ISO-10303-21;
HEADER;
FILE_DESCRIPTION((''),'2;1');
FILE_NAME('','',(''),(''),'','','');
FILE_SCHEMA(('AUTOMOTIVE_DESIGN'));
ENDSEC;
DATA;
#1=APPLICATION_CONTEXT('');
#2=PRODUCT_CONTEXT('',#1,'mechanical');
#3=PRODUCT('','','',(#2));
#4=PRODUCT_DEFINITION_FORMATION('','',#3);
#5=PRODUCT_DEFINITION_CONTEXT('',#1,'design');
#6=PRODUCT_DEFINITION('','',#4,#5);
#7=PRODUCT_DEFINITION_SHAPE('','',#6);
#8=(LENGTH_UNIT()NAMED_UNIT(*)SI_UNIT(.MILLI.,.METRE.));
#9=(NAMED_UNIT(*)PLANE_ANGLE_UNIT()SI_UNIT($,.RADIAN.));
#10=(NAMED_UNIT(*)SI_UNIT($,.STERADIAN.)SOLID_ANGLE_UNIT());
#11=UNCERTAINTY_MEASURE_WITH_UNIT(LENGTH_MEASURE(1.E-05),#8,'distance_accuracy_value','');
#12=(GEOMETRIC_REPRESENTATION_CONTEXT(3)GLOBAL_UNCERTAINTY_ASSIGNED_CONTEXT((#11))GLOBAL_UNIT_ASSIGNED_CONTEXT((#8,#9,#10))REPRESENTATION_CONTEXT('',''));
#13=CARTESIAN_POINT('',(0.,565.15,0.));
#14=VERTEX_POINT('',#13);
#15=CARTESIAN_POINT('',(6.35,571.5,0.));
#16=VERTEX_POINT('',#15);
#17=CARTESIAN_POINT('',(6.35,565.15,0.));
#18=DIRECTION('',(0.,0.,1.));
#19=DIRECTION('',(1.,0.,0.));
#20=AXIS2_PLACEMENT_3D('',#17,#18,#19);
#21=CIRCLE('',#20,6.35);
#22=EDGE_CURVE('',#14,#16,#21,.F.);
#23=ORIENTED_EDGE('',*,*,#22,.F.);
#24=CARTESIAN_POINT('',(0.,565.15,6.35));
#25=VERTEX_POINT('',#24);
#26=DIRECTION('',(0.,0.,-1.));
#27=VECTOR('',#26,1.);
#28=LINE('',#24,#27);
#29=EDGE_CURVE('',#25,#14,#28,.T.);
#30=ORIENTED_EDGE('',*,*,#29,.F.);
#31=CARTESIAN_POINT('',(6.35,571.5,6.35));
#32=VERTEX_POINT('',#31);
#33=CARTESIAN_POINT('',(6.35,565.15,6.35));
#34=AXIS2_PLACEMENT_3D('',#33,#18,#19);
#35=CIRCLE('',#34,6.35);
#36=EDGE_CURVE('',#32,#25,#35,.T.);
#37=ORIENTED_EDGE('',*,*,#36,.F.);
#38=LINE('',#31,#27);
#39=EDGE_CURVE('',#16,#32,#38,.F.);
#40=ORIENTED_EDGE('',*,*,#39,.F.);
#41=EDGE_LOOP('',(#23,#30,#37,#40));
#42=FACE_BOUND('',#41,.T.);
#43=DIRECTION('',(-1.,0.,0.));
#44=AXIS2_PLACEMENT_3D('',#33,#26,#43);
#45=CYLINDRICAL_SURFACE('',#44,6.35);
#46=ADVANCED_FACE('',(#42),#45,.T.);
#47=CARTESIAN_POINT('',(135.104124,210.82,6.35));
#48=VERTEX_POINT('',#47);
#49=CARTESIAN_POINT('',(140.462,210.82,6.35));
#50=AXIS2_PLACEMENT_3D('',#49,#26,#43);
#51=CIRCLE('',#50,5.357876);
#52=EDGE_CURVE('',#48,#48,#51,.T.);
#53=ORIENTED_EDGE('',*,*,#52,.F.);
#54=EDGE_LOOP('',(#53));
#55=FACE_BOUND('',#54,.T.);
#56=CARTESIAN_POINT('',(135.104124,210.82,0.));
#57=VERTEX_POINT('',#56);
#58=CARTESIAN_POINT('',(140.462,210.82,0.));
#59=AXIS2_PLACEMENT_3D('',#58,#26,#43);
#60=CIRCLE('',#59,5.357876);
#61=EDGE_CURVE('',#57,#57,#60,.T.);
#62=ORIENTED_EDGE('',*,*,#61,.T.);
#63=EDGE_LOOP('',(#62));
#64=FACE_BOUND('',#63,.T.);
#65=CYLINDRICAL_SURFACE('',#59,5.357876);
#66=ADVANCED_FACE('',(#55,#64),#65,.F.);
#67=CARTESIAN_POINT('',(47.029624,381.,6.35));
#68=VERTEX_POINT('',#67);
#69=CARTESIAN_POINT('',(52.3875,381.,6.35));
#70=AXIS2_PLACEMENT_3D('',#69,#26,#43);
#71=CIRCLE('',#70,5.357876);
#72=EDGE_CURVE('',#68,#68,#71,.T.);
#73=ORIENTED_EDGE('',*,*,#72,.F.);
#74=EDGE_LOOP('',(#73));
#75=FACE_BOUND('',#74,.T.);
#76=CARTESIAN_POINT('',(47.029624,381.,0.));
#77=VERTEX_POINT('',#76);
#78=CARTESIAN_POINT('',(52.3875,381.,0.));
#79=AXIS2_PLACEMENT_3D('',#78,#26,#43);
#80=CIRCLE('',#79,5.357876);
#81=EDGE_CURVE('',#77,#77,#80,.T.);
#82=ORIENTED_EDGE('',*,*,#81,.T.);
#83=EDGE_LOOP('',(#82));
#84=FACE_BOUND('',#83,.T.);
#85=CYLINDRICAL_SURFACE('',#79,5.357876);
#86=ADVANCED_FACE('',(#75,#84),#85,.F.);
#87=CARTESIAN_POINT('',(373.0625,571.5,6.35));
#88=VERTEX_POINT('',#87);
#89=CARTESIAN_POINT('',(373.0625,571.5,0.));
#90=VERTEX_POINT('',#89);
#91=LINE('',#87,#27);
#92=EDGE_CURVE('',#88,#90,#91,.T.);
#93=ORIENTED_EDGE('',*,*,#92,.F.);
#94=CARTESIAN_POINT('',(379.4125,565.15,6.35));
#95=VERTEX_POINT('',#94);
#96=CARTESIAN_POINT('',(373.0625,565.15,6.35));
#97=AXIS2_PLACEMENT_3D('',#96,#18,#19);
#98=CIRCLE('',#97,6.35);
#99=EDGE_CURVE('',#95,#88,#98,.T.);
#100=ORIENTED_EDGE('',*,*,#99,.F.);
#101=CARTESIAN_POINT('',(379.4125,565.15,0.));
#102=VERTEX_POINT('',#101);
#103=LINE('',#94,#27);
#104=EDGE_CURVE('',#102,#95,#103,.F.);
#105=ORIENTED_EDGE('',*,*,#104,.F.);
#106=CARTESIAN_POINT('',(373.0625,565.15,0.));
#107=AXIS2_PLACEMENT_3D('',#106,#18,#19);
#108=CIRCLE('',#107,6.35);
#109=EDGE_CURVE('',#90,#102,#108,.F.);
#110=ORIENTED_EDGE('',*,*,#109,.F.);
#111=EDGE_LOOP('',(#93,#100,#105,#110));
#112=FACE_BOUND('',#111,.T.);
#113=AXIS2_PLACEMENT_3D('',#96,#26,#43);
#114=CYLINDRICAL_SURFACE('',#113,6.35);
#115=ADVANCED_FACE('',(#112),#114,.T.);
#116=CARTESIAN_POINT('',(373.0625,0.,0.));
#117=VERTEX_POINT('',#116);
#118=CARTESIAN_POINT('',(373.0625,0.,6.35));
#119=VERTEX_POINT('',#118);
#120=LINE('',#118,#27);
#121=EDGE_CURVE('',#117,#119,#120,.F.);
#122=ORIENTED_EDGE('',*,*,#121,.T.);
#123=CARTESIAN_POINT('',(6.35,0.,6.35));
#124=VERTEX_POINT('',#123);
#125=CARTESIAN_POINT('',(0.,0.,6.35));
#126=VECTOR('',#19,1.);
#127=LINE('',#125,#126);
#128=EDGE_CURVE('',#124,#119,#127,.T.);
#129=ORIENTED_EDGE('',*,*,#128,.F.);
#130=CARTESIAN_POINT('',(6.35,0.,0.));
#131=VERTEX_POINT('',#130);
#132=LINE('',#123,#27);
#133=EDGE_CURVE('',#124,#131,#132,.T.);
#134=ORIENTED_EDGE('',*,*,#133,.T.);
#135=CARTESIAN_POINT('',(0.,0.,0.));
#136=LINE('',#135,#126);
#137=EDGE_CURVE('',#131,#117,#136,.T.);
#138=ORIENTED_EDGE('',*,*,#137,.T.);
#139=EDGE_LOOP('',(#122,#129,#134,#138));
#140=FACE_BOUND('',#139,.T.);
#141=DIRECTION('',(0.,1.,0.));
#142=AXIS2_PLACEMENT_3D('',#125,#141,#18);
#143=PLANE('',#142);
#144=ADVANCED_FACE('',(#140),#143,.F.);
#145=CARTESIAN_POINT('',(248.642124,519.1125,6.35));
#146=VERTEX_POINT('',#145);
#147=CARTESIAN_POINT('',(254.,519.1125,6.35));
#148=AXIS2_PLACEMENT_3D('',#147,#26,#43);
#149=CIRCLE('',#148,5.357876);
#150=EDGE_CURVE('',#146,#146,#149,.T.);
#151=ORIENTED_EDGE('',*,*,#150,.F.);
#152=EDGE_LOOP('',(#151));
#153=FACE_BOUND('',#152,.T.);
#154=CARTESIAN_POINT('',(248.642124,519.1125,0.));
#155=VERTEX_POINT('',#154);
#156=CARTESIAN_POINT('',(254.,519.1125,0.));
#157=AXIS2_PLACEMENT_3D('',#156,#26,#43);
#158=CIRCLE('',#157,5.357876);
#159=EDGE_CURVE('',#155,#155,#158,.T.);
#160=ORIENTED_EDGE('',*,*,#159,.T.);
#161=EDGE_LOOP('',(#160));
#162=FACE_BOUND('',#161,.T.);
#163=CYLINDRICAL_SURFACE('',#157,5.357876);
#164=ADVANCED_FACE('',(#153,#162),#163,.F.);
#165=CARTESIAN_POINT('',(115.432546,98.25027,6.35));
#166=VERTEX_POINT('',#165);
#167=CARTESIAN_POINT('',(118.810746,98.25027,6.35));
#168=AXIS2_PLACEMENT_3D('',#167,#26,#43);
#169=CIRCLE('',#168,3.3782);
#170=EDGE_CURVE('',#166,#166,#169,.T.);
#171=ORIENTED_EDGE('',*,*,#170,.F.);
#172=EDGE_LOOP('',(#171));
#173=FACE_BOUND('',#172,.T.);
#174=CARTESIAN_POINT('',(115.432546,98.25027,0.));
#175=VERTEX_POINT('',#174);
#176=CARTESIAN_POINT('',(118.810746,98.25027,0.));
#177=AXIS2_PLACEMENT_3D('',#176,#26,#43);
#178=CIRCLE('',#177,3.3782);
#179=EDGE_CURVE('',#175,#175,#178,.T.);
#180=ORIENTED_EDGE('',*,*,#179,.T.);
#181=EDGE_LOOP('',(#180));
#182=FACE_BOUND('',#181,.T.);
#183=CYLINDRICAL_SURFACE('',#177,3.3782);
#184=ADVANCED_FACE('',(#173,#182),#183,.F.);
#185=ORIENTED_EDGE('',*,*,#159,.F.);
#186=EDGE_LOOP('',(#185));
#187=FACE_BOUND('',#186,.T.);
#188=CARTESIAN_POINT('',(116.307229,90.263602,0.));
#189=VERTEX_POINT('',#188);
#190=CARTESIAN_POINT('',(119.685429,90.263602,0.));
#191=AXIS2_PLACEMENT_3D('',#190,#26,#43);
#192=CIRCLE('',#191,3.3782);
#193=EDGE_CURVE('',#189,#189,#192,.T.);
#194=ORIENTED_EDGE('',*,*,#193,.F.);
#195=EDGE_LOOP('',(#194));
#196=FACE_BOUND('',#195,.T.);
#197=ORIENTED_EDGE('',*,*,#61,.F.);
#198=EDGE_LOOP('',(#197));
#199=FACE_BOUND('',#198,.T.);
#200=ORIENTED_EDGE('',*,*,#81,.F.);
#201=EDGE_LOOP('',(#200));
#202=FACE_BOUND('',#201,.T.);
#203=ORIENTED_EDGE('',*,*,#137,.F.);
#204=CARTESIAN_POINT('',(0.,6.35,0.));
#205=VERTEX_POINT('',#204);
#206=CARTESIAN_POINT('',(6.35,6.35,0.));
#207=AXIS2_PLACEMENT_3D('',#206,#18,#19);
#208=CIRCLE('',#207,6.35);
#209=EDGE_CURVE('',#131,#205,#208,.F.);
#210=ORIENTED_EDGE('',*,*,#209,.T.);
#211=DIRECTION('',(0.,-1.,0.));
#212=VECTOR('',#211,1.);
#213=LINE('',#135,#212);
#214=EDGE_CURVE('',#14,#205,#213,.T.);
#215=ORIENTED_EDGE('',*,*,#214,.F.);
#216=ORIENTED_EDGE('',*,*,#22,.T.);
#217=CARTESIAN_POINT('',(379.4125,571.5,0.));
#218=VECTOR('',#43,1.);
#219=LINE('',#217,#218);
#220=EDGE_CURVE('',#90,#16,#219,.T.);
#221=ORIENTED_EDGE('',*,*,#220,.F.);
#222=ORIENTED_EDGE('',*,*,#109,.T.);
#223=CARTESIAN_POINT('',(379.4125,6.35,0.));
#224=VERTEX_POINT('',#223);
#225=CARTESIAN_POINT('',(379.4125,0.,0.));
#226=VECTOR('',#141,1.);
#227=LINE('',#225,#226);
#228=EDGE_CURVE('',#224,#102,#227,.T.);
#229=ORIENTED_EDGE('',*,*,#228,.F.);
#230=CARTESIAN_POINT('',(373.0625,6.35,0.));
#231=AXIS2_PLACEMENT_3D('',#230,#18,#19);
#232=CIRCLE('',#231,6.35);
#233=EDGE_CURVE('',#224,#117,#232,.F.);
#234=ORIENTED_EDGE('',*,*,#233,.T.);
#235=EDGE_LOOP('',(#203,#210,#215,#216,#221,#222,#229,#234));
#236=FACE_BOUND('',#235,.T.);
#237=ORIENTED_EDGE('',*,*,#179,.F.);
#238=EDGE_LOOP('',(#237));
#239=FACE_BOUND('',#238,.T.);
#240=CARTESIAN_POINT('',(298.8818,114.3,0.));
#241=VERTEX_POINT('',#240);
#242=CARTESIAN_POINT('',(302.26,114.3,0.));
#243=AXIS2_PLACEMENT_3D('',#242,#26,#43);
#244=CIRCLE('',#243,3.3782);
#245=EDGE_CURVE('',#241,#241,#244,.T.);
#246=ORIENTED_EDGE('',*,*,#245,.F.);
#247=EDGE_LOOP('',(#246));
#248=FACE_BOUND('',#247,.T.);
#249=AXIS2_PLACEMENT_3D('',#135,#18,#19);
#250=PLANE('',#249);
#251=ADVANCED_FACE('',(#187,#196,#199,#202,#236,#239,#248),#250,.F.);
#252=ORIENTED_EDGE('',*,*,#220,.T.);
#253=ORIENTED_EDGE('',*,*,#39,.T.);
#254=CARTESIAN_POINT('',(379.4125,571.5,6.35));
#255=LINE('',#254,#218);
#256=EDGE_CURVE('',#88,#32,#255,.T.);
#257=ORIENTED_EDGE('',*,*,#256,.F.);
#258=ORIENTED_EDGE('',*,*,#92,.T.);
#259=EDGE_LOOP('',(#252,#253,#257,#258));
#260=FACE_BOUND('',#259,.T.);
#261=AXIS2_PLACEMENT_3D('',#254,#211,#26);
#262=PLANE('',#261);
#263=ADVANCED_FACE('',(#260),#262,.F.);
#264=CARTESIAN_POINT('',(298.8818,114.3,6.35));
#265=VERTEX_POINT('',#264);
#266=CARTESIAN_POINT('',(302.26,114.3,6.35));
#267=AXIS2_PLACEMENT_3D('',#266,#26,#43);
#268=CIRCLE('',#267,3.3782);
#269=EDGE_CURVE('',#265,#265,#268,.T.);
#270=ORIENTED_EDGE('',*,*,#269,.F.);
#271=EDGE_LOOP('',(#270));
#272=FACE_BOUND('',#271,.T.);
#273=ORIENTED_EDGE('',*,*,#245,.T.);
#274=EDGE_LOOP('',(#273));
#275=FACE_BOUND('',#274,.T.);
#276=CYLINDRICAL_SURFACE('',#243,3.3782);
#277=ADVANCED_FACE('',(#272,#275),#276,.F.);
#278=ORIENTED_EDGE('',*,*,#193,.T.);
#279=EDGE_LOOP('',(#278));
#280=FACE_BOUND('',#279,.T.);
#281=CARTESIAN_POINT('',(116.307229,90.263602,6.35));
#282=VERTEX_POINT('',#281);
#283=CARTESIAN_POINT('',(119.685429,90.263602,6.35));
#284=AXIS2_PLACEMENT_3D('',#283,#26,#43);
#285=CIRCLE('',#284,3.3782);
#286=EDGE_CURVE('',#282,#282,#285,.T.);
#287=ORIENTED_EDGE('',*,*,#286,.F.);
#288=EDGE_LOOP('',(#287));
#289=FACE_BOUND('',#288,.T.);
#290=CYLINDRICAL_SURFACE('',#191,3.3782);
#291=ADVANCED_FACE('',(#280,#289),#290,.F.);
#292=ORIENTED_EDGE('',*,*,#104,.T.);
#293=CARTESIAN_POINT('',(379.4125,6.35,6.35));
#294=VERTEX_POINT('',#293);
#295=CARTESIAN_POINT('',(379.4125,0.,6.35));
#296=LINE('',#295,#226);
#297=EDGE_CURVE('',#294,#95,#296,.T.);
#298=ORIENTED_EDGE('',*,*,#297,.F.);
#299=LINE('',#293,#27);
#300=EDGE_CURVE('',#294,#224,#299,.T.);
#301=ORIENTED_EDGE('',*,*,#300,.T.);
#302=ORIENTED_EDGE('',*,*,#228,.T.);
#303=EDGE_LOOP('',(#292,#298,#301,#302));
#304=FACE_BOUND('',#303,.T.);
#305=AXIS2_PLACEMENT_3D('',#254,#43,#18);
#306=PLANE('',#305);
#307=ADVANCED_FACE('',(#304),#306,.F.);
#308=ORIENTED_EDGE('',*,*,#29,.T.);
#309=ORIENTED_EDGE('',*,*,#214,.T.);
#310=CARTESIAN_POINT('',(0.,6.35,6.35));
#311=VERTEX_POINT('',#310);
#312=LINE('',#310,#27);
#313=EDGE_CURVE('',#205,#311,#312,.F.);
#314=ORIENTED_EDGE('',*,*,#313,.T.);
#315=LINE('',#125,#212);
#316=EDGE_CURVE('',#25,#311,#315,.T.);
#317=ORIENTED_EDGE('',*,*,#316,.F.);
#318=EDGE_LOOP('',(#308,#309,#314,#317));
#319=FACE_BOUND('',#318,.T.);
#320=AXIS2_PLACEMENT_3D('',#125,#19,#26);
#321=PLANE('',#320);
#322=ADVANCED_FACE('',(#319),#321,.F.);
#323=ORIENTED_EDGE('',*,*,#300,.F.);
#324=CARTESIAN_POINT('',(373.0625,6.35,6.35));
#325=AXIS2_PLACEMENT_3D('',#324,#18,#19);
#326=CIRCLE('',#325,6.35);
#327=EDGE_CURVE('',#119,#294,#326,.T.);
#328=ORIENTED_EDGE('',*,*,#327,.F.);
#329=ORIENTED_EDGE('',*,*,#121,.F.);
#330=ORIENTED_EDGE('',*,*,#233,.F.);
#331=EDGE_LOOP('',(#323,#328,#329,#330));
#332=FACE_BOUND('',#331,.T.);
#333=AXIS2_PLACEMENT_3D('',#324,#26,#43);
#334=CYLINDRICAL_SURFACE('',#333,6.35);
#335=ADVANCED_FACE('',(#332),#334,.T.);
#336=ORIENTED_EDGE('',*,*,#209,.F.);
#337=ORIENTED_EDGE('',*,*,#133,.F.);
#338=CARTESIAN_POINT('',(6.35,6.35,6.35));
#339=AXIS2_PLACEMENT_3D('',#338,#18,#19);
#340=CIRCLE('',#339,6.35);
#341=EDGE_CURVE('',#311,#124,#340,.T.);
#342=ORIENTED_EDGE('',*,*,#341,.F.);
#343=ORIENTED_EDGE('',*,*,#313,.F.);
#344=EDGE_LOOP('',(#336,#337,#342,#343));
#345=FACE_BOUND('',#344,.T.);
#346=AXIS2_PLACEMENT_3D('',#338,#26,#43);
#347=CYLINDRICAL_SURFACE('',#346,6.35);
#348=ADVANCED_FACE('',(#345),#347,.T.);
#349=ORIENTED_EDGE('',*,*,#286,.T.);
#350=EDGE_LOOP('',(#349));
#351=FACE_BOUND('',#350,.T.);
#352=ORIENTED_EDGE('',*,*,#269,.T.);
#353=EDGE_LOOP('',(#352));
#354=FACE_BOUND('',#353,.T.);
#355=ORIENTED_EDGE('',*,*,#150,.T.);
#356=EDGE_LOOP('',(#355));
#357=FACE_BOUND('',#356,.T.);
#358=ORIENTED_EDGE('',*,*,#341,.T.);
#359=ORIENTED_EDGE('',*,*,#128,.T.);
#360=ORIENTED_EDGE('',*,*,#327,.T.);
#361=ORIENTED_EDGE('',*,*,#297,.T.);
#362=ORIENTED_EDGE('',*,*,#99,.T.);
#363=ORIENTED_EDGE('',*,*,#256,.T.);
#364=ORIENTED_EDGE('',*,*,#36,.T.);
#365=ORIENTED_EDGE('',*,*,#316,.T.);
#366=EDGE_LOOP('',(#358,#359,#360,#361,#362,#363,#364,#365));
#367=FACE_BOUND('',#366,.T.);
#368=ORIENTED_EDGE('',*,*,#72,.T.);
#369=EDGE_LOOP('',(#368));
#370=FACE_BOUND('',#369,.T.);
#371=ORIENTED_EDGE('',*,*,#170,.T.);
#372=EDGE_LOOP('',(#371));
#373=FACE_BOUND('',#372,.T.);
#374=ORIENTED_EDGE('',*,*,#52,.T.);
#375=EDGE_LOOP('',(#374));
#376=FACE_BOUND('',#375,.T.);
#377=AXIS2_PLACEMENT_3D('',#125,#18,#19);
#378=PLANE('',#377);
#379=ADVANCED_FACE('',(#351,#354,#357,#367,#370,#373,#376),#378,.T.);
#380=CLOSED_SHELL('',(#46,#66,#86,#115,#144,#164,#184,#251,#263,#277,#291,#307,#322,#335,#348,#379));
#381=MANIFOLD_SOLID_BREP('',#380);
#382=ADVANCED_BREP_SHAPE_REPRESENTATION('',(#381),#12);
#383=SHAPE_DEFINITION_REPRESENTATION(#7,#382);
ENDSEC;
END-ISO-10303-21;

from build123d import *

# Parameters (mm, degrees)
BOSS_EXTRUDE1_DEPTH              = 6.35
FILLET1_R                        = 3.175
FILLET2_R                        = 44.45
F_1_4_CLEARANCE_HOLE1_D          = 6.7564
SKETCH4_W                        = 100.0125
SKETCH4_H                        = 155.575
CUT_EXTRUDE1_DEPTH               = 746.989881382
F_27_64_0_42188_DIAMETER_HOLE1_D = 10.715752
FILLET3_R                        = 6.35


with BuildPart() as part:
    # Sketch1 → Boss-Extrude1 (new body)
    with BuildSketch(Plane.XY):
        Polygon((0, 0), (0, 571.5), (379.4125, 571.5), (379.4125, 466.725), (479.425, 466.725), (479.425, 355.6), (428.625, 355.6), (428.625, 403.225), (379.4125, 403.225), (379.4125, 0), align=None)
    extrude(amount=BOSS_EXTRUDE1_DEPTH)

    # Fillet1
    fillet1_edges = [part.edges().sort_by_distance(p)[0] for p in [
        (428.625, 403.225, 3.175),
        (379.4125, 403.225, 3.175),
    ]]
    fillet(fillet1_edges, radius=FILLET1_R)

    # Fillet2
    fillet2_edges = [part.edges().sort_by_distance(p)[0] for p in [
        (379.4125, 466.725, 3.175),
        (479.425, 466.725, 3.175),
    ]]
    fillet(fillet2_edges, radius=FILLET2_R)

    # 1/4 Clearance Hole1 (through all)
    with Locations(Plane(origin=(0, 0, 0), x_dir=(-1, 0, 0), z_dir=(0, 0, -1))):
        with Locations((-118.810746346, 98.250269973), (-302.26, 114.3), (-119.685428778, 90.263601703)):
            Hole(F_1_4_CLEARANCE_HOLE1_D / 2)

    # Sketch4 → Cut-Extrude1 (cut, through all)
    with BuildSketch(Plane(origin=(0, 0, 0), x_dir=(-1, 0, 0), z_dir=(0, 0, -1))):
        with Locations((-429.41875, 433.3875)):
            Rectangle(SKETCH4_W, SKETCH4_H)
    extrude(amount=-CUT_EXTRUDE1_DEPTH, mode=Mode.SUBTRACT)

    # 27/64 (0.42188) Diameter Hole1 (through all)
    with Locations(Plane(origin=(0, 0, 0), x_dir=(-1, 0, 0), z_dir=(0, 0, -1))):
        with Locations((-254, 519.1125), (-52.3875, 381), (-140.462, 210.82)):
            Hole(F_27_64_0_42188_DIAMETER_HOLE1_D / 2)

    # Fillet3
    fillet3_edges = [part.edges().sort_by_distance(p)[0] for p in [
        (0, 0, 3.175),
        (0, 571.5, 3.175),
        (379.4125, 571.5, 3.175),
        (379.4125, 0, 3.175),
    ]]
    fillet(fillet3_edges, radius=FILLET3_R)


solid = part.part
